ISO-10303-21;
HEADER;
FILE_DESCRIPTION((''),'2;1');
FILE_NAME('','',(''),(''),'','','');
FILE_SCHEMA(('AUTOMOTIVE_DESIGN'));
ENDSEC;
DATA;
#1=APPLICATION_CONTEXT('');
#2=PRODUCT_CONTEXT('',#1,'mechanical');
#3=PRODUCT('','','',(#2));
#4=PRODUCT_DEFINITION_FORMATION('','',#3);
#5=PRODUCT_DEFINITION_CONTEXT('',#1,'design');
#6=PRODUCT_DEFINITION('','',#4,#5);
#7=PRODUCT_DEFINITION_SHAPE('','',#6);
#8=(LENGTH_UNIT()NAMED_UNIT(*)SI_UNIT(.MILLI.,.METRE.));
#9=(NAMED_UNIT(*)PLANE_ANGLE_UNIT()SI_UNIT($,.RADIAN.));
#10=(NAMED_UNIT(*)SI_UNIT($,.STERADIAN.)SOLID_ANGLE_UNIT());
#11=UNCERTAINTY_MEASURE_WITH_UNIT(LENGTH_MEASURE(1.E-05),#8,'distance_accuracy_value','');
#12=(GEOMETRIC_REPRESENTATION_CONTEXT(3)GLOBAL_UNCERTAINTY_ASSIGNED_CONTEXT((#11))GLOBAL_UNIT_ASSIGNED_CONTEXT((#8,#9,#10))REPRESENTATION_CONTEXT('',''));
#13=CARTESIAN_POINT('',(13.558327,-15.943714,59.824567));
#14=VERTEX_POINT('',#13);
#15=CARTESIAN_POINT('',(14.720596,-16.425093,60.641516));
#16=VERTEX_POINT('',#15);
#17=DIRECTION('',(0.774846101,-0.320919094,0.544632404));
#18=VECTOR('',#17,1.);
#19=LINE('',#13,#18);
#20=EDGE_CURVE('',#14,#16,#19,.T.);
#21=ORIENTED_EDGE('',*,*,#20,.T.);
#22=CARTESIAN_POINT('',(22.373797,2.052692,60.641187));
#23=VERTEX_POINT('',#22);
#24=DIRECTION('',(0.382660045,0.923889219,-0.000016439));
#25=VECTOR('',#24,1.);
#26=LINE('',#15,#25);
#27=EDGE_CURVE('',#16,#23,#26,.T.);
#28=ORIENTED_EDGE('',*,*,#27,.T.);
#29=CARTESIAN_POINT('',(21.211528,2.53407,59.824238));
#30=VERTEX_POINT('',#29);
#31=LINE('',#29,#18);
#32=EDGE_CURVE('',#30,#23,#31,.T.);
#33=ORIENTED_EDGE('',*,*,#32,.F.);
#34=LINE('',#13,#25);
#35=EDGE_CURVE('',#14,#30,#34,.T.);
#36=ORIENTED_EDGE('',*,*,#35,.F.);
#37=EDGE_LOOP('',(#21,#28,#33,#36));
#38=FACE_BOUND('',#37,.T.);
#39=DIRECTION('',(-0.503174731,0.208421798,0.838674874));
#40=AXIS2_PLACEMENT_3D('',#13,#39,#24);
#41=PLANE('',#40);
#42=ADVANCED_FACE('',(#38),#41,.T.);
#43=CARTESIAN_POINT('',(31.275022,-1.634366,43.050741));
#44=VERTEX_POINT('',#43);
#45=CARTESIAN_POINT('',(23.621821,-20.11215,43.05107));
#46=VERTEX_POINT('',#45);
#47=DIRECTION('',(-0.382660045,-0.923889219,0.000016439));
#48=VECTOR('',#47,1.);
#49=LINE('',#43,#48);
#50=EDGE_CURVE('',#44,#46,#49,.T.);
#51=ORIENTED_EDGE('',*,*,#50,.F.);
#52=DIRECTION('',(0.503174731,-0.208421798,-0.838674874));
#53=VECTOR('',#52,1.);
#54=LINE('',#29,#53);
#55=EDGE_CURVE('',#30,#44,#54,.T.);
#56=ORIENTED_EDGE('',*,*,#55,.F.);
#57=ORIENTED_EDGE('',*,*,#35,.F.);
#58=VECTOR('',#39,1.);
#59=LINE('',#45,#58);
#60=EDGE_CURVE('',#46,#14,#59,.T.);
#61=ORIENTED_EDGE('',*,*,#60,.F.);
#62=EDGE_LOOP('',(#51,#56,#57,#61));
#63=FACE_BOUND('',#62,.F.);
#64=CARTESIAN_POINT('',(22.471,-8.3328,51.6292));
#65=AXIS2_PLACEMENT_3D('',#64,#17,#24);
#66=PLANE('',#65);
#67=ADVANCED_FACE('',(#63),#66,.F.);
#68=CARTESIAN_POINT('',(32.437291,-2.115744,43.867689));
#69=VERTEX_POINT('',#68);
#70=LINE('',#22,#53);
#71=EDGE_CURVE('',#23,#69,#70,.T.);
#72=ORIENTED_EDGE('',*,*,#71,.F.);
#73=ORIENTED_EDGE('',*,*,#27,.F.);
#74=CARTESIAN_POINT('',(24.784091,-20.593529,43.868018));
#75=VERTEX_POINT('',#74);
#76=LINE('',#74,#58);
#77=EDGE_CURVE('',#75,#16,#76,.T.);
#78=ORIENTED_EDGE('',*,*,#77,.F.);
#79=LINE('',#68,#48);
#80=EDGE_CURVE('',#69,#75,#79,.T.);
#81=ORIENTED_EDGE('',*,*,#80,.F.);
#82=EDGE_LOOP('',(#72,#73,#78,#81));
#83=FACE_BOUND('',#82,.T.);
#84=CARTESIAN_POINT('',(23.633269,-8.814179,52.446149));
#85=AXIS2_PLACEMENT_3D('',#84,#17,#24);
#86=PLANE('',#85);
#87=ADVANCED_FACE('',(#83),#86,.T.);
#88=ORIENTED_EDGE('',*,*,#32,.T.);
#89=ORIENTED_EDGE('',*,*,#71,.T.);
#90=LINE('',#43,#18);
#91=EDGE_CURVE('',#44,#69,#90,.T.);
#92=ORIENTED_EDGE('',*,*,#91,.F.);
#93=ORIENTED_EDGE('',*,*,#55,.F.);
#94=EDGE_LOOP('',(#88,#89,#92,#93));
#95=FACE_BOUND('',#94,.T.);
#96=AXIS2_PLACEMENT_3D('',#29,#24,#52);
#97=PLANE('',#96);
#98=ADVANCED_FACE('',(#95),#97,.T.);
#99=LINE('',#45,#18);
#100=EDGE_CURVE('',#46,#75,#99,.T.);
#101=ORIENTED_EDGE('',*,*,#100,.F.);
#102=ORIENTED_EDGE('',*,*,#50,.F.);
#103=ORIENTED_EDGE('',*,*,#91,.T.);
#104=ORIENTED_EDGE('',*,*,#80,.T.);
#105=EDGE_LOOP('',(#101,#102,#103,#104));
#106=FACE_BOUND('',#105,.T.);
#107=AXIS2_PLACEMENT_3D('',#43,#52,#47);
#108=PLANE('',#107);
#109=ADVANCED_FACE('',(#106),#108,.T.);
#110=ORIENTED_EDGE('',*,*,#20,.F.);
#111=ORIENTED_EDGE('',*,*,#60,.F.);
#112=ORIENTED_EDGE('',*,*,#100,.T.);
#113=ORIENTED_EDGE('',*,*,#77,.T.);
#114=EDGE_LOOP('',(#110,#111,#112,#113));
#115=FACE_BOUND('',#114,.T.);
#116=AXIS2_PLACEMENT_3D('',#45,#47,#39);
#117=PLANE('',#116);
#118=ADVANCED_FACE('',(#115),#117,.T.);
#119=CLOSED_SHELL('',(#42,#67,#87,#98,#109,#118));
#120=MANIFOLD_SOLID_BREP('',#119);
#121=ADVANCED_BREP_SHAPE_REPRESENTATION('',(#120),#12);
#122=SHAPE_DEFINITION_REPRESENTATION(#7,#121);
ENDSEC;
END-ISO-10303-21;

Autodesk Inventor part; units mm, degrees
ref_plane "YZ Plane" through (0, 0, 0) normal (1, 0, 0) x (0, 1, 0)
ref_plane "XZ Plane" through (0, 0, 0) normal (0, 1, 0) x (-1, 0, 0)
ref_plane "XY Plane" through (0, 0, 0) normal (0, 0, 1) x (1, 0, 0)
ref_plane "Płaszczyzna konstrukcyjna2" through (-0.19, 0, -10) normal (0, 0, -1) x (-1, 0, 0)
sketch "Szkic1" plane through (-0.19, 0, -10) normal (0, 0, -1) x (-1, 0, 0)
  point P0 (-0.19, 0)
  point P1 (-0.19, 0.975)
ref_plane "Płaszczyzna konstrukcyjna3" through (0, 0.975, -3) normal (0.3827, 0.9239, 0) x (0.9239, -0.3827, 0)
sketch "Szkic2" plane through (0, 0.975, -3) normal (0.3827, 0.9239, 0) x (0.9239, -0.3827, 0)
  line L0 (0, 0) -> (20.3949, -13.2446) construction
  line L1 (0, 0) -> (24.6472, -55.3585) construction
  line L2 (53.7615, 0) -> (-12.2572, 0) construction
  point P0 (0.3731, -3)
  point P1 (24.3225, -54.6292)
  dimension "d0" = 33
  dimension "d1" = 66
ref_plane "Płaszczyzna konstrukcyjna4" through (22.471, -8.3328, 51.6292) normal (0.7748, -0.3209, 0.5446) x (0.3827, 0.9239, 0)
sketch "Szkic3" plane through (22.471, -8.3328, 51.6292) normal (0.7748, -0.3209, 0.5446) x (0.3827, 0.9239, 0)
  line L0 (-10.4423, 9.7716) -> (9.5577, 9.7716)
  line L1 (9.5577, 9.7716) -> (9.5577, -10.2284)
  line L2 (9.5577, -10.2284) -> (-10.4423, -10.2284)
  line L3 (-10.4423, -10.2284) -> (-10.4423, 9.7716)
  point P0 (-0.9008, -30.2561)
  dimension "d2" = 20
  dimension "d3" = 20
extrude "Wyciągnięcie proste1" add sketch "Szkic3" along normal blind 1.5
properties part number "lusterko_polozenie"
